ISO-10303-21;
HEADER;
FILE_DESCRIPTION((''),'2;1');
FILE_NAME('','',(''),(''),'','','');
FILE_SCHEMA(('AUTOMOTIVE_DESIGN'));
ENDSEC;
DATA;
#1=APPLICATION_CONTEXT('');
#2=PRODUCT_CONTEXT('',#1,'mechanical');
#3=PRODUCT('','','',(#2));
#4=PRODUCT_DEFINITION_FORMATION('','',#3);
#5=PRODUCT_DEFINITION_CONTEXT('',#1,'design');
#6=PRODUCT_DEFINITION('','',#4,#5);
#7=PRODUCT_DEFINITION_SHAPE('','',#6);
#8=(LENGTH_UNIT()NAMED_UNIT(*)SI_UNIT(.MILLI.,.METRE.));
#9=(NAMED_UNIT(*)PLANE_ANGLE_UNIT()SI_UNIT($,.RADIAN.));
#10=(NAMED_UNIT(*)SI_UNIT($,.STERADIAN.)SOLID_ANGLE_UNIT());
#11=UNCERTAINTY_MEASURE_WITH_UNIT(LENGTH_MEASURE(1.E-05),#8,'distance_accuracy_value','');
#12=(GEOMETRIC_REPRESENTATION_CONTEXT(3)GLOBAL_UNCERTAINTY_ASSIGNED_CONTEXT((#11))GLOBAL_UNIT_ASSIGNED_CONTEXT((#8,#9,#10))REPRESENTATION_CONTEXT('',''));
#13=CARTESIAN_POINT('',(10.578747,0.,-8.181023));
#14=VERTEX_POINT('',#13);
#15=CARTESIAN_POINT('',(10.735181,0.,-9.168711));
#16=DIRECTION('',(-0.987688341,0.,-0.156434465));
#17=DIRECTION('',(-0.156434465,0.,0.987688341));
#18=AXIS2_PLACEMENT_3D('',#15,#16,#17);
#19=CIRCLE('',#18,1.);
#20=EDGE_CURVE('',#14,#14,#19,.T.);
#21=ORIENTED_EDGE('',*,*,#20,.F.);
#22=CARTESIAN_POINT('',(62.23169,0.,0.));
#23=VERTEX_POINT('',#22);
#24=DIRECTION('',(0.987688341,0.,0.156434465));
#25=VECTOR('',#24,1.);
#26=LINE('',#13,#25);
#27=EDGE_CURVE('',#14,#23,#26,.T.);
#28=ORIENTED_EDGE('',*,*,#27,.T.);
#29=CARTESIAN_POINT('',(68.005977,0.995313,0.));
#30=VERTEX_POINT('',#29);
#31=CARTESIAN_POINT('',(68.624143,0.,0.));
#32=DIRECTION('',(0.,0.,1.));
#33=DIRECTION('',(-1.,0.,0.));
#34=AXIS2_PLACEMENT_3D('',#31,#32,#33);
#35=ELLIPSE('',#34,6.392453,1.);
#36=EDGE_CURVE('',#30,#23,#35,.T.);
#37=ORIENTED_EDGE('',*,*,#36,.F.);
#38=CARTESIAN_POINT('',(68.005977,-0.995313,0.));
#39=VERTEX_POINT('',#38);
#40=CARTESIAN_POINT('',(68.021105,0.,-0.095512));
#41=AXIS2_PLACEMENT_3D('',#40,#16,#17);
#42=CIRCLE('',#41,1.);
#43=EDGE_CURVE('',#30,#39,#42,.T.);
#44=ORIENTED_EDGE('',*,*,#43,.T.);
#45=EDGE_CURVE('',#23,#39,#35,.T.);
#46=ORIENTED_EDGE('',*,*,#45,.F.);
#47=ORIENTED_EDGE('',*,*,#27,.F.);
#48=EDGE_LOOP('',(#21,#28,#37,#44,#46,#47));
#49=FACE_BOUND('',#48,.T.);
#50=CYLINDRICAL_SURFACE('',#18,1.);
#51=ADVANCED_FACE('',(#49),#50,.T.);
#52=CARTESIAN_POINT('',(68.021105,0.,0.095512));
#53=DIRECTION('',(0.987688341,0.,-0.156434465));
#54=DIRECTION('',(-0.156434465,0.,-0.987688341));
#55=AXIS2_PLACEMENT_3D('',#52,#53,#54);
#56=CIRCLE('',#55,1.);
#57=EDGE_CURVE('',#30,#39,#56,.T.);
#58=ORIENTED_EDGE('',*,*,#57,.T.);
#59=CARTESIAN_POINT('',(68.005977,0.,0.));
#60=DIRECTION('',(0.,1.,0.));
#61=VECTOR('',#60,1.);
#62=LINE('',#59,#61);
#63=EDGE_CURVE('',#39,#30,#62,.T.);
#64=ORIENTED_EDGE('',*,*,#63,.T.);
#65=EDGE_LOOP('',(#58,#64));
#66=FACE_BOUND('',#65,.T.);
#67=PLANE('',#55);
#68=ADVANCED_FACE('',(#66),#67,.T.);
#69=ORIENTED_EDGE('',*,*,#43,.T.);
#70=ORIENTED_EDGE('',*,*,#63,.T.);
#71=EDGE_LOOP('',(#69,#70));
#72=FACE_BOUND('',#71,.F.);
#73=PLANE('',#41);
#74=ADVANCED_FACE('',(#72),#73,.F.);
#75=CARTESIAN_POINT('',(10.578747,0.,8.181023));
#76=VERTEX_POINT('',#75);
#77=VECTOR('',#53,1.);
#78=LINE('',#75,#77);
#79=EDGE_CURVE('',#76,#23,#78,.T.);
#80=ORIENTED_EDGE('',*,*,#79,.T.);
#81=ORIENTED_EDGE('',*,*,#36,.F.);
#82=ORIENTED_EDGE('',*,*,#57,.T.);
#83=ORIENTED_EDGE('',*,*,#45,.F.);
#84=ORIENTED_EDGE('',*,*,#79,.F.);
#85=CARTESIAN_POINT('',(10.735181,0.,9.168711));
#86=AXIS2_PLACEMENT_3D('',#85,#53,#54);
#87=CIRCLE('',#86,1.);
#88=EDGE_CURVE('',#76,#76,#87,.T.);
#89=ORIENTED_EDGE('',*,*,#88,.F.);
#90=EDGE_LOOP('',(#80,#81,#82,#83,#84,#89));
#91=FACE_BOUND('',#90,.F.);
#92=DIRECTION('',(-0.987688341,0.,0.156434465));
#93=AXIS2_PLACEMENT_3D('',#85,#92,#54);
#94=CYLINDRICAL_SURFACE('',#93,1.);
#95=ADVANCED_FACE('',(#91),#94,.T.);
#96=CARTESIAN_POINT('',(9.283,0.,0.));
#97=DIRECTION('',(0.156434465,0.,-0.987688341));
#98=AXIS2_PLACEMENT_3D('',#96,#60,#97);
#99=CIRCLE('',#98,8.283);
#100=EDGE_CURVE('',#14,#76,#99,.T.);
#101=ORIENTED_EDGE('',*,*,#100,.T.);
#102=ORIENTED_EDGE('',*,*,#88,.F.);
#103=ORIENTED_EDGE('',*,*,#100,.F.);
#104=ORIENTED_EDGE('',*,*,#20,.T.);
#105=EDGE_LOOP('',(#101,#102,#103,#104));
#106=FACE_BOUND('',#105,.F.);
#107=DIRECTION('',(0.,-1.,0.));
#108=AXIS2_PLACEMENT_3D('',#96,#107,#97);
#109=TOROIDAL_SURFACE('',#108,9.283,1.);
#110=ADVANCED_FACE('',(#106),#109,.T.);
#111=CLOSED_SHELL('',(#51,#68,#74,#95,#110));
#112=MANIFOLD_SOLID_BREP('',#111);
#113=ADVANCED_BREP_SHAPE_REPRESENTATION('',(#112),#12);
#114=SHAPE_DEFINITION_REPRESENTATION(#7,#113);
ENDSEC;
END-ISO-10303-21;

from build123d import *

# Parameters (mm, degrees)
F0_R          = 1
F1_ANGLE_BACK = 99
F1_ANGLE      = 198
F2_DEPTH      = 58
F3_DEPTH      = 58


with BuildPart() as f1:
    # F0 (on Top) → F1 (revolve)
    with BuildSketch(Plane.XY, mode=Mode.PRIVATE) as f1_sk:
        Circle(F0_R)
    revolve(f1_sk.sketch.rotate(Axis((9.283, 0.6793318316, 0), (0, 1, 0)), -F1_ANGLE_BACK), axis=Axis((9.283, 0.6793318316, 0), (0, 1, 0)), revolution_arc=F1_ANGLE)

    # F2 (add): a face of the model
    f2_faces = [f1.faces().sort_by_distance(p)[0] for p in [
        (10.735181139, 0, 9.1687108657),
    ]]
    extrude(f2_faces, amount=F2_DEPTH)

    # F3 (add): a face of the model
    f3_faces = [f1.faces().sort_by_distance(p)[0] for p in [
        (10.735181139, 0, -9.1687108657),
    ]]
    extrude(f3_faces, amount=F3_DEPTH)


solid = f1.part
